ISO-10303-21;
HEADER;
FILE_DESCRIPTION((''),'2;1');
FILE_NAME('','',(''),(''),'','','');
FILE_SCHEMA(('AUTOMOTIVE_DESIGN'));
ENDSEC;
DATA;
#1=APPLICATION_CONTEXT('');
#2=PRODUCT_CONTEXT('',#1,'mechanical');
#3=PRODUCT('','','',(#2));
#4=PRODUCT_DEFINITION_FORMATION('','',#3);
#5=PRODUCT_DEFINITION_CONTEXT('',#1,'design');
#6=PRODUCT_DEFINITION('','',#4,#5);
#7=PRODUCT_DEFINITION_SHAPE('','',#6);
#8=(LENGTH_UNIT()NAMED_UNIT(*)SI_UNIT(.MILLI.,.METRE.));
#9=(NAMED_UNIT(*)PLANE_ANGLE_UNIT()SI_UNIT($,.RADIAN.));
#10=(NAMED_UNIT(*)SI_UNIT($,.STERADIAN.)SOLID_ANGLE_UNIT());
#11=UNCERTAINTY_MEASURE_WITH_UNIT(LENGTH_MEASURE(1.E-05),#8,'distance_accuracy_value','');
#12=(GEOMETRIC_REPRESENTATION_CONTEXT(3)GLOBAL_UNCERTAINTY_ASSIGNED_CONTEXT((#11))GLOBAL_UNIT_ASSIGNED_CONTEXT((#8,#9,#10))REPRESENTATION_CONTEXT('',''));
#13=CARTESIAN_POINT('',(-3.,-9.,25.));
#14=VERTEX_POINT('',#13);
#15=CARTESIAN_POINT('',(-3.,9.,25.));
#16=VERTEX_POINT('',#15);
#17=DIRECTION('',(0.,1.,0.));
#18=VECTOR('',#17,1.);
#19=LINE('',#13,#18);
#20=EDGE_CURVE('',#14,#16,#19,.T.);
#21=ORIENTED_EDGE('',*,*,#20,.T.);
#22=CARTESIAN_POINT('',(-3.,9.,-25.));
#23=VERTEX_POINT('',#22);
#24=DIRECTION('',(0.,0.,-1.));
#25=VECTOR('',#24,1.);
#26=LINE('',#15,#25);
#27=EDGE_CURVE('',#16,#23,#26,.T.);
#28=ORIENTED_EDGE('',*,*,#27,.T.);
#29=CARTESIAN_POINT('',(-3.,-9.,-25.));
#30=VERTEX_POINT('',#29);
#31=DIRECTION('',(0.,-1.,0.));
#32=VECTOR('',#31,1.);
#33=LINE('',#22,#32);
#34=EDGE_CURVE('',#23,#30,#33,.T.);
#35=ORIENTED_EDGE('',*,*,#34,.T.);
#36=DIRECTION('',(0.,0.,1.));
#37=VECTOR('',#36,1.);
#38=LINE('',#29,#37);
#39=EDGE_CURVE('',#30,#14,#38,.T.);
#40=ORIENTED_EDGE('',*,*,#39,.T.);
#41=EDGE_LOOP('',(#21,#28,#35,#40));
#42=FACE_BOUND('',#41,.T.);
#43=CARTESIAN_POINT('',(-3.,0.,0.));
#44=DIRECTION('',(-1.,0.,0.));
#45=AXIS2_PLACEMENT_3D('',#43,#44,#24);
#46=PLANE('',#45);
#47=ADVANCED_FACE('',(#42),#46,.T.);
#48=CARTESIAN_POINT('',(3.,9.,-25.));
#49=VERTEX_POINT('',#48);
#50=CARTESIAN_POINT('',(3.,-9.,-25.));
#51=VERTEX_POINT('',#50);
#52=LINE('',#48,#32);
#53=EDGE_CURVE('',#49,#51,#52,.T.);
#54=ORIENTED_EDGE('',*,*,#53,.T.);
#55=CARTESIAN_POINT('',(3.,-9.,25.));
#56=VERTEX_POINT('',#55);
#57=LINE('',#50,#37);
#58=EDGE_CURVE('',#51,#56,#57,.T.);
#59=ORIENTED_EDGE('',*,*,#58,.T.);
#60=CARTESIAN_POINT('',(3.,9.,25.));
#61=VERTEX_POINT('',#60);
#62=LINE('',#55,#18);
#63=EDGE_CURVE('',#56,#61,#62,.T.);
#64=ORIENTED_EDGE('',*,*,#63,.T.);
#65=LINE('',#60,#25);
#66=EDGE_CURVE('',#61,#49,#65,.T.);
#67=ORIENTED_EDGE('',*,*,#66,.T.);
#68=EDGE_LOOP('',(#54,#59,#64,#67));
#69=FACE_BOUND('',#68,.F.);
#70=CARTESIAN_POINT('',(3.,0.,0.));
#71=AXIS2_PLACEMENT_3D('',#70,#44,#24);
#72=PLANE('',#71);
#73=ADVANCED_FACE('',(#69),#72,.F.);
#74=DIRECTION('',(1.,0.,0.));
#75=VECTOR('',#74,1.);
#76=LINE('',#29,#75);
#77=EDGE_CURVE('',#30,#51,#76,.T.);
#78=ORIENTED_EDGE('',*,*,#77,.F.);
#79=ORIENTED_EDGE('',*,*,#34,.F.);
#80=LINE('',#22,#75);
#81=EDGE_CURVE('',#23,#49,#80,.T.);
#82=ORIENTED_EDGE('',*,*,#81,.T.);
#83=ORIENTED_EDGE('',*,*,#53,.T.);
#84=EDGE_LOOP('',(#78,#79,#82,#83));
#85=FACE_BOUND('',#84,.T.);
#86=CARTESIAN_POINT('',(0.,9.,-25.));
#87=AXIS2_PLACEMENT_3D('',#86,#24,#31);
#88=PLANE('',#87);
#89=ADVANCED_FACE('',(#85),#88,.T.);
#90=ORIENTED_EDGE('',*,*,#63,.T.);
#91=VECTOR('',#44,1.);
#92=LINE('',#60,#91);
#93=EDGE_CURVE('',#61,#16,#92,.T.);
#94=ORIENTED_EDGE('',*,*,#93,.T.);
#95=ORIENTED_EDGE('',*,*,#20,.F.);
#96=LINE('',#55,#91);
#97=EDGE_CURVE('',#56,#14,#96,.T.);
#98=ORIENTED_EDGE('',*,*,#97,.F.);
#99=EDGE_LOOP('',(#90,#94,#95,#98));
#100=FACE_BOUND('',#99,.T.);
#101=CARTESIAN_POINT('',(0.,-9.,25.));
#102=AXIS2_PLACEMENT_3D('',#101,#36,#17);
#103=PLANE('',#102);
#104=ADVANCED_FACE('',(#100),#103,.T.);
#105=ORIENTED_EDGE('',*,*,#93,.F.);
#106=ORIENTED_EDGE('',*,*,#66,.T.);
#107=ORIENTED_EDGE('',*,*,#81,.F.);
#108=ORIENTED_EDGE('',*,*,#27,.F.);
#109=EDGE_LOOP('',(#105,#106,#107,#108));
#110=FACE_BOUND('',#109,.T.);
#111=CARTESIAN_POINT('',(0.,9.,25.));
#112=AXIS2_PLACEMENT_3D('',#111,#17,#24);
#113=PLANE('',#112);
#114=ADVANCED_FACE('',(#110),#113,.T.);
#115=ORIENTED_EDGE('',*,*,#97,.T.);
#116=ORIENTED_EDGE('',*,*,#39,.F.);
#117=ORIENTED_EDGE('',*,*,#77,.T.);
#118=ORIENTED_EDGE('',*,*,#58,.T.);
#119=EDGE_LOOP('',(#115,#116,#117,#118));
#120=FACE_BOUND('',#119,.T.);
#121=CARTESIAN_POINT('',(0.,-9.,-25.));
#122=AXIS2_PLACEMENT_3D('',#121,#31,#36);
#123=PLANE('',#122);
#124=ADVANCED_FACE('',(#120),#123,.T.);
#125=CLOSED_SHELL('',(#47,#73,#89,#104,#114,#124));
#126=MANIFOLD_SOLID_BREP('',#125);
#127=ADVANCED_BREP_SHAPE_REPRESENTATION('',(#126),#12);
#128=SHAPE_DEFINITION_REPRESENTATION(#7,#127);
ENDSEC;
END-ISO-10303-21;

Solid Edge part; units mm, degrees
sketch "Sketch1" plane through (0, 0, 0) normal (1, 0, 0) x (0, 1, 0)
  line L0 (-9, -25) -> (-9, 25)
  line L1 (-9, 25) -> (9, 25)
  line L2 (9, 25) -> (9, -25)
  line L3 (9, -25) -> (-9, -25)
extrude "Protrusion1" add sketch "Sketch1" along normal mid plane 6
